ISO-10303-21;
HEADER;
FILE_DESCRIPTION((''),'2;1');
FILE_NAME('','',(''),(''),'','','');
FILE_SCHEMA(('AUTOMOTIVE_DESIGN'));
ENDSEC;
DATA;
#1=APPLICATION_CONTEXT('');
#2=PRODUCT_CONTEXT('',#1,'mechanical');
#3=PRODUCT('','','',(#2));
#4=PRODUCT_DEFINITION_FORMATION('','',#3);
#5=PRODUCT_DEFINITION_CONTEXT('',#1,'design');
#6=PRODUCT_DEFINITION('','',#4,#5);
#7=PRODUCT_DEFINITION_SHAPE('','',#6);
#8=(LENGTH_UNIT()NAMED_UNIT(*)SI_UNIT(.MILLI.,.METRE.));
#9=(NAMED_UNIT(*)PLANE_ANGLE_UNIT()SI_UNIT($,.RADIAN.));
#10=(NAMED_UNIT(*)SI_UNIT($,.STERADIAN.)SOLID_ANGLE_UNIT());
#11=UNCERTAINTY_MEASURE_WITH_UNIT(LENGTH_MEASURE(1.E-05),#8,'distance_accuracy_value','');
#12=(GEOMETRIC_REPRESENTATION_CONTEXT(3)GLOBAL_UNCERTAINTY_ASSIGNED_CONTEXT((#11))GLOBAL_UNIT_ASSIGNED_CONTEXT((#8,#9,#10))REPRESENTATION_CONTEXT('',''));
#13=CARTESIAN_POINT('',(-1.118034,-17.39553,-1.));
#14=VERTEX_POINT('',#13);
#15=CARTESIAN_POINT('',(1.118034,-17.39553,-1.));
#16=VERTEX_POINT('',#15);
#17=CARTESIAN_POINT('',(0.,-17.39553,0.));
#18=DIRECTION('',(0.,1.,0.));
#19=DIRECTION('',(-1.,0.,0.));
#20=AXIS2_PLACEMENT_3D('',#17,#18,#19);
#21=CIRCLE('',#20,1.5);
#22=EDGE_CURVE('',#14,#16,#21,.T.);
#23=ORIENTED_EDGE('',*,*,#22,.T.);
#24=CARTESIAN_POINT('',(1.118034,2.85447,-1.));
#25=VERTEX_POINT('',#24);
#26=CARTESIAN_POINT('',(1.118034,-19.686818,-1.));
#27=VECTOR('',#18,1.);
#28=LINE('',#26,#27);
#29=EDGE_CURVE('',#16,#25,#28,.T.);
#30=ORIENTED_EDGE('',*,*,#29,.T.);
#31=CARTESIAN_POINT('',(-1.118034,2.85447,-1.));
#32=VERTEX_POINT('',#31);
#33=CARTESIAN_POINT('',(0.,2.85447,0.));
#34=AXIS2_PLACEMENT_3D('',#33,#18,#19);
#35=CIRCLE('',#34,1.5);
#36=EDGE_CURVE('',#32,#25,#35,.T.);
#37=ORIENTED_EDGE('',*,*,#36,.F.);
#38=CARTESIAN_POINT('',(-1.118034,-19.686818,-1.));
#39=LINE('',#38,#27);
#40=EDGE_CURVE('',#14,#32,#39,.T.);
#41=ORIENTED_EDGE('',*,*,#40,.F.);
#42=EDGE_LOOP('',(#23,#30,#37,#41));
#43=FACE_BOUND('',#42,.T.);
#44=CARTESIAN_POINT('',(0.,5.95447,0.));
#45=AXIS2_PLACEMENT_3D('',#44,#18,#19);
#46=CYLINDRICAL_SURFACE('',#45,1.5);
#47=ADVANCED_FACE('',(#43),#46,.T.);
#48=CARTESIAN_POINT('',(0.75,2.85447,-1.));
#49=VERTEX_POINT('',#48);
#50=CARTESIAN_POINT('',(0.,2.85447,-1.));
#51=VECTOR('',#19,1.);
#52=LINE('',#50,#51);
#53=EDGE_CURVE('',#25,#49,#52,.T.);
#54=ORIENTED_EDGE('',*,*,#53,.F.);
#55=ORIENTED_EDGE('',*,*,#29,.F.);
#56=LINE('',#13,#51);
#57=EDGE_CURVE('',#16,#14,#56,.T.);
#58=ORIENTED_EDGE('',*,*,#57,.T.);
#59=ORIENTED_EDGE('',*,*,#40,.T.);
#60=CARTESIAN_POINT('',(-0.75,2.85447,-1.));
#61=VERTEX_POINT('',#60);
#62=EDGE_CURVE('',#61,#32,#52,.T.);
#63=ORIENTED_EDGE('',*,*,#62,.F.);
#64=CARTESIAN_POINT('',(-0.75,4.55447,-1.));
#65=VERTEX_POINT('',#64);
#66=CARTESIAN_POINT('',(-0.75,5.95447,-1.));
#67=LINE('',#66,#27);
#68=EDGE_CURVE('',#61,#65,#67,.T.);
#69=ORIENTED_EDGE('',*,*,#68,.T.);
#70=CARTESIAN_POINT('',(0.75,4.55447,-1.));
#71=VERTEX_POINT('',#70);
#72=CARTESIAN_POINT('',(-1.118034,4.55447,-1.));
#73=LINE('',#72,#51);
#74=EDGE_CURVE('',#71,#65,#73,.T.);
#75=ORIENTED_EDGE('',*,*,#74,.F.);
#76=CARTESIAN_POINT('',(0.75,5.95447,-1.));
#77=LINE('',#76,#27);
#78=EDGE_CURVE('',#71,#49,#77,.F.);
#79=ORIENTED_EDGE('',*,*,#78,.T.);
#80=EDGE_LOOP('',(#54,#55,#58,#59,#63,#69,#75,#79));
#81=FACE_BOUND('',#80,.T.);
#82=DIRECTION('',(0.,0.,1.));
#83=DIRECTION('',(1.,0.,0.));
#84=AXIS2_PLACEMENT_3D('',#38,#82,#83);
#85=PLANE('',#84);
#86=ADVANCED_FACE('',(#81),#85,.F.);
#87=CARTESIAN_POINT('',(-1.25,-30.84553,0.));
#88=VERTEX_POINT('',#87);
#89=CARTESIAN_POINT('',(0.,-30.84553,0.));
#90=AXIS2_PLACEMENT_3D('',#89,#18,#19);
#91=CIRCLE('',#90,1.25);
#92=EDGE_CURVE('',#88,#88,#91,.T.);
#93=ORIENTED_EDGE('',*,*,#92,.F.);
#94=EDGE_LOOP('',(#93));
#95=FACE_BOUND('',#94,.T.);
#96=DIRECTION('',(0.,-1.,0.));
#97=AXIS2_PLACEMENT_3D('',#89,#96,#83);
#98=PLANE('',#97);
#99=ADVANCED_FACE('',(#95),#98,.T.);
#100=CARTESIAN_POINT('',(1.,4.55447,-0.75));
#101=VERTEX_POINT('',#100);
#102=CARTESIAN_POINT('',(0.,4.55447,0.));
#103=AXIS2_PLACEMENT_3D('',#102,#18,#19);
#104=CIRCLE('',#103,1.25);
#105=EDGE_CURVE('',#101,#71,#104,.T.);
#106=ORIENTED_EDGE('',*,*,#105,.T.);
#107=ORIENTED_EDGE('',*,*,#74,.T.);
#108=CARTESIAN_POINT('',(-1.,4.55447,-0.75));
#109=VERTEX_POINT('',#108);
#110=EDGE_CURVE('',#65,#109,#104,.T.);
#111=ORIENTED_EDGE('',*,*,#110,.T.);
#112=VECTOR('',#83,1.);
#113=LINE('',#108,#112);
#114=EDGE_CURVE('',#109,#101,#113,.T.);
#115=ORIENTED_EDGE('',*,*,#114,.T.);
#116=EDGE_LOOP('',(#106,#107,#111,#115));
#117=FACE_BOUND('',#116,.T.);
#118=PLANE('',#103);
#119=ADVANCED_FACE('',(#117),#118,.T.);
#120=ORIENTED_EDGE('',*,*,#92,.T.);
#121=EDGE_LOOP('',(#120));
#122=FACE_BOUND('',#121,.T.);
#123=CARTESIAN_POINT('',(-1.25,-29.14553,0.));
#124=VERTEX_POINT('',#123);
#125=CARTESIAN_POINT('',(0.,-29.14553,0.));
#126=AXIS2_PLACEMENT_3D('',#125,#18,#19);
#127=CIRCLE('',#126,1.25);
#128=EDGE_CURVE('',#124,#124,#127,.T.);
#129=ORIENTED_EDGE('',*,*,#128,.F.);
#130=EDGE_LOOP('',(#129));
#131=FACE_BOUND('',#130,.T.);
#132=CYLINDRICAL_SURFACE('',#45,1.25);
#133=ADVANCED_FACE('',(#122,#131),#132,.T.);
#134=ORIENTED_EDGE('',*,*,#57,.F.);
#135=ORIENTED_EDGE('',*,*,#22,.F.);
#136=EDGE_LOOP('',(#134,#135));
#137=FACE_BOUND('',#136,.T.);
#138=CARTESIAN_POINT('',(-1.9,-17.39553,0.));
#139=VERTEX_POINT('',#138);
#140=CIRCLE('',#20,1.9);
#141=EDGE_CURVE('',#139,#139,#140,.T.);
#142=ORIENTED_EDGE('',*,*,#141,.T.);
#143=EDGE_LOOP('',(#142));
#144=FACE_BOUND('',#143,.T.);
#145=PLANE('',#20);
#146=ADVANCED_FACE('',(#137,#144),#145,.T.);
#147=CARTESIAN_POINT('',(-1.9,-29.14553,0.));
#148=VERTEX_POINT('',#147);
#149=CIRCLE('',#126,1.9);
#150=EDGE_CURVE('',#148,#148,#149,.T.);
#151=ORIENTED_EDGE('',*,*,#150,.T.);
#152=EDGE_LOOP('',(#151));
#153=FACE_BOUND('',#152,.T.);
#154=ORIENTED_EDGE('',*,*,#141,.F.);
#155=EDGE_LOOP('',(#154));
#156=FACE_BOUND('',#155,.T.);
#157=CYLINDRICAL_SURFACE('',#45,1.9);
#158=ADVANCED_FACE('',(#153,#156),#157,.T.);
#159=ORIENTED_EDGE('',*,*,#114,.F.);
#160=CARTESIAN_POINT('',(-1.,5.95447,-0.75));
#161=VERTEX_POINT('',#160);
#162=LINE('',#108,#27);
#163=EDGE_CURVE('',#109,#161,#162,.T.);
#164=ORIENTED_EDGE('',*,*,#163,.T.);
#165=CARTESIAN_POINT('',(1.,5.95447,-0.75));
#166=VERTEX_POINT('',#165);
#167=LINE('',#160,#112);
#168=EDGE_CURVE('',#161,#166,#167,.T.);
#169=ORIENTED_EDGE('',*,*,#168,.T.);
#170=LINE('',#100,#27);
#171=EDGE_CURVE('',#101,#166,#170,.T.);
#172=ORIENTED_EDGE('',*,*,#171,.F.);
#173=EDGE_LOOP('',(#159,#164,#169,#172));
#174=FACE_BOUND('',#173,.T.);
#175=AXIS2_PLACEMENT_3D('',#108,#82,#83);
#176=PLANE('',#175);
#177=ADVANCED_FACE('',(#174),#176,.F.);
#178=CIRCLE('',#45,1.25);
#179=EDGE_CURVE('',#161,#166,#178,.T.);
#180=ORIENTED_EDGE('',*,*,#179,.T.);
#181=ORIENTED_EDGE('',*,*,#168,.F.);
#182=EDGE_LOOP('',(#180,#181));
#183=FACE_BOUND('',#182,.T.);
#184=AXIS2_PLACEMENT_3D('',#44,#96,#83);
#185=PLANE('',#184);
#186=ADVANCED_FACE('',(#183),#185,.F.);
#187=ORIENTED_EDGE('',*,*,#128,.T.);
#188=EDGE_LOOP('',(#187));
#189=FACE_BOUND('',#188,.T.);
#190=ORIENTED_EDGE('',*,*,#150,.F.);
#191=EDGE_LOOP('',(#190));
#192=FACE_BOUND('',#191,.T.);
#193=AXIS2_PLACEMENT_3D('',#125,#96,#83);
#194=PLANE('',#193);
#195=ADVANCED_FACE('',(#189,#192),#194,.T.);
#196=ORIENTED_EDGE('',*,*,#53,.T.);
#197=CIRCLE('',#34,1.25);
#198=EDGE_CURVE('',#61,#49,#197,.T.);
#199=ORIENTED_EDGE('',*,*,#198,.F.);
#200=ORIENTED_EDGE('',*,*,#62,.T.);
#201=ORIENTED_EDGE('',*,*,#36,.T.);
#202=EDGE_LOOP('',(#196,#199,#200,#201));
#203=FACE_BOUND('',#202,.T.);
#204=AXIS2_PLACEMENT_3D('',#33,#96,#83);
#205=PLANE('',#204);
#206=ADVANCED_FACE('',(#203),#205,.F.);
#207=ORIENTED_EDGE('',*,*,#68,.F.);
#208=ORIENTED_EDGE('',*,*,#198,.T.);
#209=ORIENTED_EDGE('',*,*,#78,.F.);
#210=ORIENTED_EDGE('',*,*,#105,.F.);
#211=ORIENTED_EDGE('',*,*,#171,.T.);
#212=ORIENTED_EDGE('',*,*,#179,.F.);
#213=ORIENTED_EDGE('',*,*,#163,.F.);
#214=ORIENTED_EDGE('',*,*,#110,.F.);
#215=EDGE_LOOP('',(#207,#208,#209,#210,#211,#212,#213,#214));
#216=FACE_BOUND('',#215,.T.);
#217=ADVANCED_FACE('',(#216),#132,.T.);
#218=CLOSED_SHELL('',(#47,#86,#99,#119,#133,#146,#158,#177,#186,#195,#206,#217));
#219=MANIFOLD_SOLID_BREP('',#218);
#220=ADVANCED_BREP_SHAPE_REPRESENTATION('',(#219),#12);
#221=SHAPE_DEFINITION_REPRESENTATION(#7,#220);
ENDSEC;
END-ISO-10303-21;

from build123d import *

# Parameters (mm, degrees)
CUT_EXTRUDE_2_DEPTH = 23.35
CUT_EXTRUDE_3_DEPTH = 1.4


with BuildPart() as part:
    # 草图1 → 旋转2 (revolve)
    with BuildSketch(Plane.XY):
        Polygon((1.25, 5.954469818), (0, 5.954469818), (0, -30.845530182), (1.25, -30.845530182), (1.25, -29.145530182), (1.9, -29.145530182), (1.9, -17.395530182), (1.5, -17.395530182), (1.5, 2.854469818), (1.25, 2.854469818), align=None)
    revolve(axis=Axis((0, 5.954469818, 0), (0, -1, 0)))

    # 草图4 → 切除-拉伸2 (cut)
    with BuildSketch(Plane(origin=(0, 5.954469818, 0), x_dir=(1, 0, 0), z_dir=(0, 1, 0))):
        with BuildLine():
            Line((-1.118033989, 1), (1.118033989, 1))
            ThreePointArc((1.118033989, 1), (0, 1.5), (-1.118033989, 1))
        make_face()
    extrude(amount=-CUT_EXTRUDE_2_DEPTH, mode=Mode.SUBTRACT)

    # 草图5 → 切除-拉伸3 (cut)
    with BuildSketch(Plane(origin=(0, 5.954469818, 0), x_dir=(1, 0, 0), z_dir=(0, 1, 0))):
        with BuildLine():
            Line((-1, 0.75), (1, 0.75))
            ThreePointArc((1, 0.75), (0, 1.25), (-1, 0.75))
        make_face()
    extrude(amount=-CUT_EXTRUDE_3_DEPTH, mode=Mode.SUBTRACT)


solid = part.part
